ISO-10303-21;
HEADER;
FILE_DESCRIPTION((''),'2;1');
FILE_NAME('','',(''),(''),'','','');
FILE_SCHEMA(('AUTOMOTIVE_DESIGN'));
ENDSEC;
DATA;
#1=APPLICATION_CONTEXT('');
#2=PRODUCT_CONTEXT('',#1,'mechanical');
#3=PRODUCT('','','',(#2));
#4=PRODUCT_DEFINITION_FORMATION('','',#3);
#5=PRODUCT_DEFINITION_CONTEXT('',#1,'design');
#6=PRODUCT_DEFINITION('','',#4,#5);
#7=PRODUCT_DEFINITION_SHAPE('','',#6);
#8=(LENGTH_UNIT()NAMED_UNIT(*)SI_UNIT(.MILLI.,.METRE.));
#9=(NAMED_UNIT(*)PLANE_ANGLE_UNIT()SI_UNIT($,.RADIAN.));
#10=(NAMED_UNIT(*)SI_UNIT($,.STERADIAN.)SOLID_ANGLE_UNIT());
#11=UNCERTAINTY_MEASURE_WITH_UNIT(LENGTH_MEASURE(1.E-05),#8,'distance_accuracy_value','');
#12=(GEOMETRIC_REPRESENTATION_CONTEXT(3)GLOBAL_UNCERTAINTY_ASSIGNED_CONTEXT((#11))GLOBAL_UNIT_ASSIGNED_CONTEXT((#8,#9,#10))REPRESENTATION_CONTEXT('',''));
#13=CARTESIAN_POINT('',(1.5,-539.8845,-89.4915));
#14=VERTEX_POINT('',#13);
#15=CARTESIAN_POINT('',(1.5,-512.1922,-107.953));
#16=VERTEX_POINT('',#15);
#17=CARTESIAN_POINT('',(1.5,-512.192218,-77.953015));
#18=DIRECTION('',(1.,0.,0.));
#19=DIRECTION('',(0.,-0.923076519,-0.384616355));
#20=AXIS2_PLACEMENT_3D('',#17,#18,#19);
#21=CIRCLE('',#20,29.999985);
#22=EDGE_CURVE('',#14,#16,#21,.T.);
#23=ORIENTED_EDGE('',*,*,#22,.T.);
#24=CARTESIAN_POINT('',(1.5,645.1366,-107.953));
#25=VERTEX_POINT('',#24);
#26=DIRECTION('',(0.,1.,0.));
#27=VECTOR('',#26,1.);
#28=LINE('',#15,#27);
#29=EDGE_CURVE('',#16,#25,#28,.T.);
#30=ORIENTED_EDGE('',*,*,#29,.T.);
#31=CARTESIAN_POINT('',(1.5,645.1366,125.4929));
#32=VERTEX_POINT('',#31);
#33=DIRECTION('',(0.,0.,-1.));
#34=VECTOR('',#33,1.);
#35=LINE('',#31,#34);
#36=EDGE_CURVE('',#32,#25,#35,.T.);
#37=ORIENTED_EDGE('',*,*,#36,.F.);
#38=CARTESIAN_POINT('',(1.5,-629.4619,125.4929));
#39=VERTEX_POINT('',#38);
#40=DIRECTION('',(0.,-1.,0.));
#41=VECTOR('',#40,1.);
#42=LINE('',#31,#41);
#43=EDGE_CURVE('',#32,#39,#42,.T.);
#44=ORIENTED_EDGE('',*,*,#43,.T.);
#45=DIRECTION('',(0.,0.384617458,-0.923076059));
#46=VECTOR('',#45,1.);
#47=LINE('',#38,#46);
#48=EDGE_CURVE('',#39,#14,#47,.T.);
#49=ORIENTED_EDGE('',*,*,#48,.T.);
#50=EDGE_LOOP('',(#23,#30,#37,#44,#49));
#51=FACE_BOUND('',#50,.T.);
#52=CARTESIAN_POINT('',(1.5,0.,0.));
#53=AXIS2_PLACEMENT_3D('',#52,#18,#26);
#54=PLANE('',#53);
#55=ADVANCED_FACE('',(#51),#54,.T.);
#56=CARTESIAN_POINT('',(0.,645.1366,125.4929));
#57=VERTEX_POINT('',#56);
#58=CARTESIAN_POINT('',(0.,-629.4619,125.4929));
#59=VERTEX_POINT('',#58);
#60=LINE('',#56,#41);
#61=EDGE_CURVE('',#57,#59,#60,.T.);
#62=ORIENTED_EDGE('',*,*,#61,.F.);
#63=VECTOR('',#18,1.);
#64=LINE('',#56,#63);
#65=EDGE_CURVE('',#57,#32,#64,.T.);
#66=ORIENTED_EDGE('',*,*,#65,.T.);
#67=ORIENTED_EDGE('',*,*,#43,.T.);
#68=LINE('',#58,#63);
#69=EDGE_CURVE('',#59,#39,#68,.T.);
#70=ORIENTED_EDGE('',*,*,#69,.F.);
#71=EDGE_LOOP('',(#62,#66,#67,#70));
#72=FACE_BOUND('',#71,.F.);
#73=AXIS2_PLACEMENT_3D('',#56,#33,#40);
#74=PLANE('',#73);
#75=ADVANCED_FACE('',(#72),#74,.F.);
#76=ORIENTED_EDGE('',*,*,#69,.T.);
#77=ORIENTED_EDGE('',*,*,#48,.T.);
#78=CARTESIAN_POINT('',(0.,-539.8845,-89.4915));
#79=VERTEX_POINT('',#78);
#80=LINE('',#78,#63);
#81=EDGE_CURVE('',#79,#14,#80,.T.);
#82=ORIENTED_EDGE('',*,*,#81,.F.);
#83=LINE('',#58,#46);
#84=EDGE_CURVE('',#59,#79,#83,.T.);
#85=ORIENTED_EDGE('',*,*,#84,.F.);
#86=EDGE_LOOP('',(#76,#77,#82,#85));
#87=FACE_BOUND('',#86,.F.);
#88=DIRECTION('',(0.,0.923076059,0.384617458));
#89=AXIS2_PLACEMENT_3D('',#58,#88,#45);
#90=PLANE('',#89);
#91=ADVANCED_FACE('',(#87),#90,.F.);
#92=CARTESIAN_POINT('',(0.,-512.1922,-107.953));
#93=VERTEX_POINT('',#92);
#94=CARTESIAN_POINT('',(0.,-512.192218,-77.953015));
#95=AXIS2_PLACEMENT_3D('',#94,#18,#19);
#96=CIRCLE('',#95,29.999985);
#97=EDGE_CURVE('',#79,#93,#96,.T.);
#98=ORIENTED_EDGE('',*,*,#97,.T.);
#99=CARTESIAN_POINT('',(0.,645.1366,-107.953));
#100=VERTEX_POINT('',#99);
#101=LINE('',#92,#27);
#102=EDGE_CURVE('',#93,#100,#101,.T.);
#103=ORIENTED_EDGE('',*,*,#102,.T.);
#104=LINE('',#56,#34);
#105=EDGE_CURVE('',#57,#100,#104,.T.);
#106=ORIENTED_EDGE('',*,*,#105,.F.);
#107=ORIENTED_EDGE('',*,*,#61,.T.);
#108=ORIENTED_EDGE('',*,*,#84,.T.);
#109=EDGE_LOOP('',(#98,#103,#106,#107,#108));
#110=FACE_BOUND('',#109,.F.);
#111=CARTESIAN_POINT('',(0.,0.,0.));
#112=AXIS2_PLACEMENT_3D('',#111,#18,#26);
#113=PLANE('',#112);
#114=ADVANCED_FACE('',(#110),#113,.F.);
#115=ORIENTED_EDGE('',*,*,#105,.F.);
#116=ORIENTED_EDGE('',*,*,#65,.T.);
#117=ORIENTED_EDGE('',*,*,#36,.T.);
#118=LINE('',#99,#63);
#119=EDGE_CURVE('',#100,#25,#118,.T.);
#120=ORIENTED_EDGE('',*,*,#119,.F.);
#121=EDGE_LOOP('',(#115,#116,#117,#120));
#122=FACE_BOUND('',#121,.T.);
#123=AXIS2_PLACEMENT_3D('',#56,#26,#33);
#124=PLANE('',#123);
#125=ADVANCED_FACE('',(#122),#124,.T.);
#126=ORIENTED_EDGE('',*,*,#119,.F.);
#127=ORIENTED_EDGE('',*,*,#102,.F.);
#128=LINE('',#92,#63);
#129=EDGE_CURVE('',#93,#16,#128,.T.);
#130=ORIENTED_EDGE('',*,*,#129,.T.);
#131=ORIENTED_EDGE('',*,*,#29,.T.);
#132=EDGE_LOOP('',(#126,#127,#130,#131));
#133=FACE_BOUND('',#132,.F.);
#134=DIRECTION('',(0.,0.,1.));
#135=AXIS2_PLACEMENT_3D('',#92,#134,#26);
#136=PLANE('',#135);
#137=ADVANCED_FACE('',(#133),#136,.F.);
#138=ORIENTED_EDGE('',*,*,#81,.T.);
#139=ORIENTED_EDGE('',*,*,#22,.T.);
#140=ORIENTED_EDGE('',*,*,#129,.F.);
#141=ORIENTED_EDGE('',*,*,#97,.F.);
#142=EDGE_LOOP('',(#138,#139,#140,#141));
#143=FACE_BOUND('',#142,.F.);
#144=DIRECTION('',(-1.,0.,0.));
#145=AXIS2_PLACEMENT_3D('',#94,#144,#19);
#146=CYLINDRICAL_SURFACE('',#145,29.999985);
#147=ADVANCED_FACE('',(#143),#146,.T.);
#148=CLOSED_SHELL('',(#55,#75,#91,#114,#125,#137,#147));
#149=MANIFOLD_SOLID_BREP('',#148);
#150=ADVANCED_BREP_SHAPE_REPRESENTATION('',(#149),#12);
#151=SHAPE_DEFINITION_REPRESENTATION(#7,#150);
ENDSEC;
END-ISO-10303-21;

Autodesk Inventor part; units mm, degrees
ref_plane "YZ Plane" through (0, 0, 0) normal (1, 0, 0) x (0, 1, 0)
ref_plane "XZ Plane" through (0, 0, 0) normal (0, 1, 0) x (-1, 0, 0)
ref_plane "XY Plane" through (0, 0, 0) normal (0, 0, 1) x (1, 0, 0)
sketch "Sketch1" plane through (0, 0, 0) normal (1, 0, 0) x (0, 1, 0)
  line L0 (-512.1922, -107.953) -> (645.1366, -107.953)
  line L1 (645.1366, 125.4929) -> (645.1366, -107.953)
  line L2 (645.1366, 125.4929) -> (-629.4619, 125.4929)
  line L3 (-629.4619, 125.4929) -> (-539.8845, -89.4915)
  arc A0 (-539.8845, -89.4915) -> (-512.1922, -107.953) centre (-512.1922, -77.953) ccw
  point P0 (0, 0)
extrude "Extrusion1" add sketch "Sketch1" along normal blind 1.5
properties part number "AUX_2._MIRipt" material "Steel, Mild, Welded"
